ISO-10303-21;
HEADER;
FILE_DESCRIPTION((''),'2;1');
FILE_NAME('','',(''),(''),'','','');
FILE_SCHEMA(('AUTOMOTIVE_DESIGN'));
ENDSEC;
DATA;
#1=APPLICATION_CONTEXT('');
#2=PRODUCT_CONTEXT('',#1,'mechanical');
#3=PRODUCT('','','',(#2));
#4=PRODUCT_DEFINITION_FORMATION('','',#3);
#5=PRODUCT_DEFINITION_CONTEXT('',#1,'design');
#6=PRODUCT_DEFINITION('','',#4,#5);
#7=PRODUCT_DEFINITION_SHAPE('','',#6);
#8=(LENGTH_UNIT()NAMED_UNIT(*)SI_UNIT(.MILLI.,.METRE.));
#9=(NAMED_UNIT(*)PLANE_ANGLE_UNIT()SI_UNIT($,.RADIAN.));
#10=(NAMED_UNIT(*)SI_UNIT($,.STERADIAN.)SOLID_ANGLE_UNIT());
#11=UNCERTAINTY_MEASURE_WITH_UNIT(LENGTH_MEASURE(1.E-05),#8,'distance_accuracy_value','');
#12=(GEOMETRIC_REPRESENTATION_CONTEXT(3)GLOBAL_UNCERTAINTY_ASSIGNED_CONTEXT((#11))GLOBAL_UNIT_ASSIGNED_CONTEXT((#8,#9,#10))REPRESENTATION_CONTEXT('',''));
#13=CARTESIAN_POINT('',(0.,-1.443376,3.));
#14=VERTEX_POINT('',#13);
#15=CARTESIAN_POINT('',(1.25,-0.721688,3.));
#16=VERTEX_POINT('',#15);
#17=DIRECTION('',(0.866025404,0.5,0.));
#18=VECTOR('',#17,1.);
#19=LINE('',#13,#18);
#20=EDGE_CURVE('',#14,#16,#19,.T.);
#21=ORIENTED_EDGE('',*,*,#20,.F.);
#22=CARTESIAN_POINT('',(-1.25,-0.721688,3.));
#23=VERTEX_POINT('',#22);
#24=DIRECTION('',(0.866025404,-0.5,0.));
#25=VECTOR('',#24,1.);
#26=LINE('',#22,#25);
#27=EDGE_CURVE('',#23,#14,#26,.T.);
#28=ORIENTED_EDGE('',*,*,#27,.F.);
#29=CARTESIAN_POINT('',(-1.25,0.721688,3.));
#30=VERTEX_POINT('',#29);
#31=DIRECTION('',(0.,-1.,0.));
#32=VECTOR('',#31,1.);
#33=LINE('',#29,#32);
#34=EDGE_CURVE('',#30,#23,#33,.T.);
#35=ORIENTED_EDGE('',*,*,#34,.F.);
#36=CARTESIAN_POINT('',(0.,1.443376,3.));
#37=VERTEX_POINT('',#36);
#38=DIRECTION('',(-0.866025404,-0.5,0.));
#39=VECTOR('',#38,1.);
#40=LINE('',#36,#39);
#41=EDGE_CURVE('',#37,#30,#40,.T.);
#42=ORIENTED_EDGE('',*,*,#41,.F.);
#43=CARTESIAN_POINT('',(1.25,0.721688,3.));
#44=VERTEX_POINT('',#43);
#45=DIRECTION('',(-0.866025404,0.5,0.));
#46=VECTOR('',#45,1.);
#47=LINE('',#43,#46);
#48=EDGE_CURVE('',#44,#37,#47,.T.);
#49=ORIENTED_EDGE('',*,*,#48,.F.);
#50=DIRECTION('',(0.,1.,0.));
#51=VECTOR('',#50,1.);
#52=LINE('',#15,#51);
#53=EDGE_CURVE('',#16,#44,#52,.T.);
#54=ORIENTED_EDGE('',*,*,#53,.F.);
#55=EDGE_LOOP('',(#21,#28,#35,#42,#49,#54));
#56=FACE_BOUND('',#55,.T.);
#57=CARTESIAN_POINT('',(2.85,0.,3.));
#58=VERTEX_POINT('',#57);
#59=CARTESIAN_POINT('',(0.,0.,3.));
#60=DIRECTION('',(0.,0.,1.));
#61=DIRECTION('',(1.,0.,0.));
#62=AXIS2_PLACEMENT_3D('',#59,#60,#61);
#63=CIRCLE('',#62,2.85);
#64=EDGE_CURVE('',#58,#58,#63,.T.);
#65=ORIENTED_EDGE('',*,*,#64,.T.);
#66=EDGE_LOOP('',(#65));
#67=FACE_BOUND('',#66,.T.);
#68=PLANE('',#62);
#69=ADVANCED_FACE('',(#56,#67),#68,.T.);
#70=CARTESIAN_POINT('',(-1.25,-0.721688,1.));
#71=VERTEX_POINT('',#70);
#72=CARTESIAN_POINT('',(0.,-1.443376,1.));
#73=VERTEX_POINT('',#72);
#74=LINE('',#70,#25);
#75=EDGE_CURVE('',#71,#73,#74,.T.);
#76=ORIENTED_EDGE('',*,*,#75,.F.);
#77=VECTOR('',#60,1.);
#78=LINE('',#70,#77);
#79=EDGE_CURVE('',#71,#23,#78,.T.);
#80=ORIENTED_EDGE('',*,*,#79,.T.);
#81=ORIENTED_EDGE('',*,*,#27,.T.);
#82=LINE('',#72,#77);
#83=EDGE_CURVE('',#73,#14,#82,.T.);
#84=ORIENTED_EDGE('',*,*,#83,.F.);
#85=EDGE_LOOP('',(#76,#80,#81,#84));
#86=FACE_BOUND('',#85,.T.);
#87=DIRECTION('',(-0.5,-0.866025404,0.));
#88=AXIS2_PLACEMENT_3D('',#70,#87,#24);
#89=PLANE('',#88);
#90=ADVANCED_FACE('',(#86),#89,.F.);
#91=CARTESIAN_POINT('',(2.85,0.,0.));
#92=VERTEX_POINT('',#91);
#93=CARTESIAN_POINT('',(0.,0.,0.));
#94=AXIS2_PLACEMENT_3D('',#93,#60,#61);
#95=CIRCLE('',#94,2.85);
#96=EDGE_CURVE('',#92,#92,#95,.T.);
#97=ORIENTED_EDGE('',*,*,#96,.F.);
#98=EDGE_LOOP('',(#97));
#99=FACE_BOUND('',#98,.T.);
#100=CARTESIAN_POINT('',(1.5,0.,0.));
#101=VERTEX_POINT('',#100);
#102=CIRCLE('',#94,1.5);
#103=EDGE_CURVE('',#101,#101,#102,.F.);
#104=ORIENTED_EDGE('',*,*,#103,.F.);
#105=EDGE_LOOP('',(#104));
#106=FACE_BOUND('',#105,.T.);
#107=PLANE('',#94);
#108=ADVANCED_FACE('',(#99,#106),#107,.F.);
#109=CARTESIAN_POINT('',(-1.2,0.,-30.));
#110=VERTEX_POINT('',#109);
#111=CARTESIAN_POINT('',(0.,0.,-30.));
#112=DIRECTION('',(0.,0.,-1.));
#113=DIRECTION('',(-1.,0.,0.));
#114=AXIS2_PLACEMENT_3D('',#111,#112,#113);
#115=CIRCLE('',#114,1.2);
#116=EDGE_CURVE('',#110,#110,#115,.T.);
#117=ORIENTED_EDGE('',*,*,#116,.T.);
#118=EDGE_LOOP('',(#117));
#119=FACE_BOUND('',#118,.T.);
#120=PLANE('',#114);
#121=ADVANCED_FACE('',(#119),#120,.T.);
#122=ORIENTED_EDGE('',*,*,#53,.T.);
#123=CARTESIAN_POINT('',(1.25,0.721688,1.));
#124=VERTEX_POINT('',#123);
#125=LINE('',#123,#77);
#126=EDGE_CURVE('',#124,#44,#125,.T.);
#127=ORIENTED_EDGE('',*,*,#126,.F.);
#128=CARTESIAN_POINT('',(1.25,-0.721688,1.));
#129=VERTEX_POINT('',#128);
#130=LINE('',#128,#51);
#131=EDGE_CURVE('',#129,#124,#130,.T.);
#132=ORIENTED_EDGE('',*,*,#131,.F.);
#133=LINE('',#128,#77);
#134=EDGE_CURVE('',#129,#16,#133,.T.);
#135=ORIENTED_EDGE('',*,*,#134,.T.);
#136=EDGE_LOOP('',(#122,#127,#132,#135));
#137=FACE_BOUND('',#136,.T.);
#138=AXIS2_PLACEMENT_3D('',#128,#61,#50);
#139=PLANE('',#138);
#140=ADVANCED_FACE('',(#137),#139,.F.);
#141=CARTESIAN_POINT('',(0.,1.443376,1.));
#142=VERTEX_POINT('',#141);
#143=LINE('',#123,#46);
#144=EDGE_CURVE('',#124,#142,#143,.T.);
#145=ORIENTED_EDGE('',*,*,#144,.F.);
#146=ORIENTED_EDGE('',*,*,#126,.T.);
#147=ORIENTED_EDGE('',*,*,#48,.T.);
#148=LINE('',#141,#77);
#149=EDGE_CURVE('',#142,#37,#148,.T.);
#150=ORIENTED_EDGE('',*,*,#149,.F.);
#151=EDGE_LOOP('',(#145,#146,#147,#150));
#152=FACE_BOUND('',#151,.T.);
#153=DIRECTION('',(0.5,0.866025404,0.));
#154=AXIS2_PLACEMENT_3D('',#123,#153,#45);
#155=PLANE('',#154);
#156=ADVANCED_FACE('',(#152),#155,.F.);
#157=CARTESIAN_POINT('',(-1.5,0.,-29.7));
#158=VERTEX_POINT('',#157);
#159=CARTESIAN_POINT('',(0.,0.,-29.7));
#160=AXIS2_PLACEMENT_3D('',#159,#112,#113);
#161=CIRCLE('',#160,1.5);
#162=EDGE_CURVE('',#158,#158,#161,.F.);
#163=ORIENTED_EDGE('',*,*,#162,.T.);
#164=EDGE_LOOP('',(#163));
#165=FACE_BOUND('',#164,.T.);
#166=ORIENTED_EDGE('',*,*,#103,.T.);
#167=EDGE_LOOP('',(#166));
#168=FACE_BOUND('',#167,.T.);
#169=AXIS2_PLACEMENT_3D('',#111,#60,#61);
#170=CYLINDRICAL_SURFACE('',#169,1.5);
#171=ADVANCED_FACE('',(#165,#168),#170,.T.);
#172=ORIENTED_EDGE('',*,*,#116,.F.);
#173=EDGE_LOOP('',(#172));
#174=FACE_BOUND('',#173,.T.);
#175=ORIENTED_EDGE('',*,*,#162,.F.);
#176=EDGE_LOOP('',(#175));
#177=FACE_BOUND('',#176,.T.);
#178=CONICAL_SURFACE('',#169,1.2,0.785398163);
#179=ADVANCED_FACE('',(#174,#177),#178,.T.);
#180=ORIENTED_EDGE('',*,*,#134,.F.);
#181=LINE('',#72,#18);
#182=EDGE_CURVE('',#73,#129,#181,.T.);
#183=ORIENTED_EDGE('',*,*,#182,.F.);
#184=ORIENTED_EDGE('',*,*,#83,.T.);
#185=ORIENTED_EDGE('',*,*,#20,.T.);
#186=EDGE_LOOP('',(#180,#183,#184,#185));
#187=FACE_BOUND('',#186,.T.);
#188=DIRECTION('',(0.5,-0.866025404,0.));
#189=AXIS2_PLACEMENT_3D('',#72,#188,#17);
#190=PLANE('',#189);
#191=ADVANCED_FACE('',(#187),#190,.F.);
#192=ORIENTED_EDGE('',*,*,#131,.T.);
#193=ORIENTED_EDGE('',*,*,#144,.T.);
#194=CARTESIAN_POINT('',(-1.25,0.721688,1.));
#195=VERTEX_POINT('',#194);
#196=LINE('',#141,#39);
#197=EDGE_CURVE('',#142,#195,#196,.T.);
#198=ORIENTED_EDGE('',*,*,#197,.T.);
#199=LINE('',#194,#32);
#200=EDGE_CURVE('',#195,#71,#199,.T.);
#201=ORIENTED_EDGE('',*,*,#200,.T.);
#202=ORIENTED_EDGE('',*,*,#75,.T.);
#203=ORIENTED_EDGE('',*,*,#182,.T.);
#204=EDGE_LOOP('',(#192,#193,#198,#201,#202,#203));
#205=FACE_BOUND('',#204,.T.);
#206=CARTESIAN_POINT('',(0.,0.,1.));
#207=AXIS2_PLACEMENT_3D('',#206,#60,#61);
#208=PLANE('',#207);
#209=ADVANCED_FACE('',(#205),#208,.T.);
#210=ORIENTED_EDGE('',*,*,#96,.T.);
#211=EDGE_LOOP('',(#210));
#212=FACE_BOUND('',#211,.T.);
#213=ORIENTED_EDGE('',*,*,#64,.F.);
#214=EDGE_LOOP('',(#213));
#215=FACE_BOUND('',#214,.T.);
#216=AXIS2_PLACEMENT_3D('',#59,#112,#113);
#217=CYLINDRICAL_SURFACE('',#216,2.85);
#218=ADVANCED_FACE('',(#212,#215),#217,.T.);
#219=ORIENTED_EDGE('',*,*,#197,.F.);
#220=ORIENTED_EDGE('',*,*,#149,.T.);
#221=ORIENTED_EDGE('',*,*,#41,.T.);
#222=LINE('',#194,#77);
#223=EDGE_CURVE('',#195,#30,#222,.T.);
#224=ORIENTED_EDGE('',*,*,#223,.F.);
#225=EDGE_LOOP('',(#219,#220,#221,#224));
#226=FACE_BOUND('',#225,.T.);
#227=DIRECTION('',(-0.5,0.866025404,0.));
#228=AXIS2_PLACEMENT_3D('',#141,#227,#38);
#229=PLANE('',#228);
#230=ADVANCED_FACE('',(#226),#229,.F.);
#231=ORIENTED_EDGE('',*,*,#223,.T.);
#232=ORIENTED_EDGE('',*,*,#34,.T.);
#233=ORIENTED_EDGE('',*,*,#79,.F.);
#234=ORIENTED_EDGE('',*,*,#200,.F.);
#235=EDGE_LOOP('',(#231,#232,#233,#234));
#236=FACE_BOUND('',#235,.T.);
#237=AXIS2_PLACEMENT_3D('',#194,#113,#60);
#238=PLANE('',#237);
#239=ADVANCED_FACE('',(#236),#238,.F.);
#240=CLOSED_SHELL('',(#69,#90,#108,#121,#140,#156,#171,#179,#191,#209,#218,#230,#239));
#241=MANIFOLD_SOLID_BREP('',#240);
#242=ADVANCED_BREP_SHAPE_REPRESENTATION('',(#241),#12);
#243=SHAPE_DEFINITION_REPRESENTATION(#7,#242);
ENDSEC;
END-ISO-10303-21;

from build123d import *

# Parameters (mm, degrees)
SKETCH1_R           = 2.85
BOSS_EXTRUDE1_DEPTH = 3
SKETCH2_R           = 1.5
BOSS_EXTRUDE2_DEPTH = 30
CHAMFER1_SIZE       = 0.3
CUT_EXTRUDE1_DEPTH  = 2


with BuildPart() as part:
    # Sketch1 → Boss-Extrude1 (new body)
    with BuildSketch(Plane.XY):
        Circle(SKETCH1_R)
    extrude(amount=BOSS_EXTRUDE1_DEPTH)

    # Sketch2 → Boss-Extrude2 (add)
    with BuildSketch(Plane(origin=(0, 0, 0), x_dir=(-1, 0, 0), z_dir=(0, 0, -1))):
        Circle(SKETCH2_R)
    extrude(amount=BOSS_EXTRUDE2_DEPTH)

    # Chamfer1
    chamfer1_edges = [part.edges().sort_by_distance(p)[0] for p in [
        (1.5, 0, -30),
    ]]
    chamfer(chamfer1_edges, length=CHAMFER1_SIZE)

    # Sketch3 → Cut-Extrude1 (cut)
    with BuildSketch(Plane.XY.offset(3)):
        Polygon((0, 1.443375673), (-1.25, 0.721687836), (-1.25, -0.721687836), (0, -1.443375673), (1.25, -0.721687836), (1.25, 0.721687836), align=None)
    extrude(amount=-CUT_EXTRUDE1_DEPTH, mode=Mode.SUBTRACT)


solid = part.part
